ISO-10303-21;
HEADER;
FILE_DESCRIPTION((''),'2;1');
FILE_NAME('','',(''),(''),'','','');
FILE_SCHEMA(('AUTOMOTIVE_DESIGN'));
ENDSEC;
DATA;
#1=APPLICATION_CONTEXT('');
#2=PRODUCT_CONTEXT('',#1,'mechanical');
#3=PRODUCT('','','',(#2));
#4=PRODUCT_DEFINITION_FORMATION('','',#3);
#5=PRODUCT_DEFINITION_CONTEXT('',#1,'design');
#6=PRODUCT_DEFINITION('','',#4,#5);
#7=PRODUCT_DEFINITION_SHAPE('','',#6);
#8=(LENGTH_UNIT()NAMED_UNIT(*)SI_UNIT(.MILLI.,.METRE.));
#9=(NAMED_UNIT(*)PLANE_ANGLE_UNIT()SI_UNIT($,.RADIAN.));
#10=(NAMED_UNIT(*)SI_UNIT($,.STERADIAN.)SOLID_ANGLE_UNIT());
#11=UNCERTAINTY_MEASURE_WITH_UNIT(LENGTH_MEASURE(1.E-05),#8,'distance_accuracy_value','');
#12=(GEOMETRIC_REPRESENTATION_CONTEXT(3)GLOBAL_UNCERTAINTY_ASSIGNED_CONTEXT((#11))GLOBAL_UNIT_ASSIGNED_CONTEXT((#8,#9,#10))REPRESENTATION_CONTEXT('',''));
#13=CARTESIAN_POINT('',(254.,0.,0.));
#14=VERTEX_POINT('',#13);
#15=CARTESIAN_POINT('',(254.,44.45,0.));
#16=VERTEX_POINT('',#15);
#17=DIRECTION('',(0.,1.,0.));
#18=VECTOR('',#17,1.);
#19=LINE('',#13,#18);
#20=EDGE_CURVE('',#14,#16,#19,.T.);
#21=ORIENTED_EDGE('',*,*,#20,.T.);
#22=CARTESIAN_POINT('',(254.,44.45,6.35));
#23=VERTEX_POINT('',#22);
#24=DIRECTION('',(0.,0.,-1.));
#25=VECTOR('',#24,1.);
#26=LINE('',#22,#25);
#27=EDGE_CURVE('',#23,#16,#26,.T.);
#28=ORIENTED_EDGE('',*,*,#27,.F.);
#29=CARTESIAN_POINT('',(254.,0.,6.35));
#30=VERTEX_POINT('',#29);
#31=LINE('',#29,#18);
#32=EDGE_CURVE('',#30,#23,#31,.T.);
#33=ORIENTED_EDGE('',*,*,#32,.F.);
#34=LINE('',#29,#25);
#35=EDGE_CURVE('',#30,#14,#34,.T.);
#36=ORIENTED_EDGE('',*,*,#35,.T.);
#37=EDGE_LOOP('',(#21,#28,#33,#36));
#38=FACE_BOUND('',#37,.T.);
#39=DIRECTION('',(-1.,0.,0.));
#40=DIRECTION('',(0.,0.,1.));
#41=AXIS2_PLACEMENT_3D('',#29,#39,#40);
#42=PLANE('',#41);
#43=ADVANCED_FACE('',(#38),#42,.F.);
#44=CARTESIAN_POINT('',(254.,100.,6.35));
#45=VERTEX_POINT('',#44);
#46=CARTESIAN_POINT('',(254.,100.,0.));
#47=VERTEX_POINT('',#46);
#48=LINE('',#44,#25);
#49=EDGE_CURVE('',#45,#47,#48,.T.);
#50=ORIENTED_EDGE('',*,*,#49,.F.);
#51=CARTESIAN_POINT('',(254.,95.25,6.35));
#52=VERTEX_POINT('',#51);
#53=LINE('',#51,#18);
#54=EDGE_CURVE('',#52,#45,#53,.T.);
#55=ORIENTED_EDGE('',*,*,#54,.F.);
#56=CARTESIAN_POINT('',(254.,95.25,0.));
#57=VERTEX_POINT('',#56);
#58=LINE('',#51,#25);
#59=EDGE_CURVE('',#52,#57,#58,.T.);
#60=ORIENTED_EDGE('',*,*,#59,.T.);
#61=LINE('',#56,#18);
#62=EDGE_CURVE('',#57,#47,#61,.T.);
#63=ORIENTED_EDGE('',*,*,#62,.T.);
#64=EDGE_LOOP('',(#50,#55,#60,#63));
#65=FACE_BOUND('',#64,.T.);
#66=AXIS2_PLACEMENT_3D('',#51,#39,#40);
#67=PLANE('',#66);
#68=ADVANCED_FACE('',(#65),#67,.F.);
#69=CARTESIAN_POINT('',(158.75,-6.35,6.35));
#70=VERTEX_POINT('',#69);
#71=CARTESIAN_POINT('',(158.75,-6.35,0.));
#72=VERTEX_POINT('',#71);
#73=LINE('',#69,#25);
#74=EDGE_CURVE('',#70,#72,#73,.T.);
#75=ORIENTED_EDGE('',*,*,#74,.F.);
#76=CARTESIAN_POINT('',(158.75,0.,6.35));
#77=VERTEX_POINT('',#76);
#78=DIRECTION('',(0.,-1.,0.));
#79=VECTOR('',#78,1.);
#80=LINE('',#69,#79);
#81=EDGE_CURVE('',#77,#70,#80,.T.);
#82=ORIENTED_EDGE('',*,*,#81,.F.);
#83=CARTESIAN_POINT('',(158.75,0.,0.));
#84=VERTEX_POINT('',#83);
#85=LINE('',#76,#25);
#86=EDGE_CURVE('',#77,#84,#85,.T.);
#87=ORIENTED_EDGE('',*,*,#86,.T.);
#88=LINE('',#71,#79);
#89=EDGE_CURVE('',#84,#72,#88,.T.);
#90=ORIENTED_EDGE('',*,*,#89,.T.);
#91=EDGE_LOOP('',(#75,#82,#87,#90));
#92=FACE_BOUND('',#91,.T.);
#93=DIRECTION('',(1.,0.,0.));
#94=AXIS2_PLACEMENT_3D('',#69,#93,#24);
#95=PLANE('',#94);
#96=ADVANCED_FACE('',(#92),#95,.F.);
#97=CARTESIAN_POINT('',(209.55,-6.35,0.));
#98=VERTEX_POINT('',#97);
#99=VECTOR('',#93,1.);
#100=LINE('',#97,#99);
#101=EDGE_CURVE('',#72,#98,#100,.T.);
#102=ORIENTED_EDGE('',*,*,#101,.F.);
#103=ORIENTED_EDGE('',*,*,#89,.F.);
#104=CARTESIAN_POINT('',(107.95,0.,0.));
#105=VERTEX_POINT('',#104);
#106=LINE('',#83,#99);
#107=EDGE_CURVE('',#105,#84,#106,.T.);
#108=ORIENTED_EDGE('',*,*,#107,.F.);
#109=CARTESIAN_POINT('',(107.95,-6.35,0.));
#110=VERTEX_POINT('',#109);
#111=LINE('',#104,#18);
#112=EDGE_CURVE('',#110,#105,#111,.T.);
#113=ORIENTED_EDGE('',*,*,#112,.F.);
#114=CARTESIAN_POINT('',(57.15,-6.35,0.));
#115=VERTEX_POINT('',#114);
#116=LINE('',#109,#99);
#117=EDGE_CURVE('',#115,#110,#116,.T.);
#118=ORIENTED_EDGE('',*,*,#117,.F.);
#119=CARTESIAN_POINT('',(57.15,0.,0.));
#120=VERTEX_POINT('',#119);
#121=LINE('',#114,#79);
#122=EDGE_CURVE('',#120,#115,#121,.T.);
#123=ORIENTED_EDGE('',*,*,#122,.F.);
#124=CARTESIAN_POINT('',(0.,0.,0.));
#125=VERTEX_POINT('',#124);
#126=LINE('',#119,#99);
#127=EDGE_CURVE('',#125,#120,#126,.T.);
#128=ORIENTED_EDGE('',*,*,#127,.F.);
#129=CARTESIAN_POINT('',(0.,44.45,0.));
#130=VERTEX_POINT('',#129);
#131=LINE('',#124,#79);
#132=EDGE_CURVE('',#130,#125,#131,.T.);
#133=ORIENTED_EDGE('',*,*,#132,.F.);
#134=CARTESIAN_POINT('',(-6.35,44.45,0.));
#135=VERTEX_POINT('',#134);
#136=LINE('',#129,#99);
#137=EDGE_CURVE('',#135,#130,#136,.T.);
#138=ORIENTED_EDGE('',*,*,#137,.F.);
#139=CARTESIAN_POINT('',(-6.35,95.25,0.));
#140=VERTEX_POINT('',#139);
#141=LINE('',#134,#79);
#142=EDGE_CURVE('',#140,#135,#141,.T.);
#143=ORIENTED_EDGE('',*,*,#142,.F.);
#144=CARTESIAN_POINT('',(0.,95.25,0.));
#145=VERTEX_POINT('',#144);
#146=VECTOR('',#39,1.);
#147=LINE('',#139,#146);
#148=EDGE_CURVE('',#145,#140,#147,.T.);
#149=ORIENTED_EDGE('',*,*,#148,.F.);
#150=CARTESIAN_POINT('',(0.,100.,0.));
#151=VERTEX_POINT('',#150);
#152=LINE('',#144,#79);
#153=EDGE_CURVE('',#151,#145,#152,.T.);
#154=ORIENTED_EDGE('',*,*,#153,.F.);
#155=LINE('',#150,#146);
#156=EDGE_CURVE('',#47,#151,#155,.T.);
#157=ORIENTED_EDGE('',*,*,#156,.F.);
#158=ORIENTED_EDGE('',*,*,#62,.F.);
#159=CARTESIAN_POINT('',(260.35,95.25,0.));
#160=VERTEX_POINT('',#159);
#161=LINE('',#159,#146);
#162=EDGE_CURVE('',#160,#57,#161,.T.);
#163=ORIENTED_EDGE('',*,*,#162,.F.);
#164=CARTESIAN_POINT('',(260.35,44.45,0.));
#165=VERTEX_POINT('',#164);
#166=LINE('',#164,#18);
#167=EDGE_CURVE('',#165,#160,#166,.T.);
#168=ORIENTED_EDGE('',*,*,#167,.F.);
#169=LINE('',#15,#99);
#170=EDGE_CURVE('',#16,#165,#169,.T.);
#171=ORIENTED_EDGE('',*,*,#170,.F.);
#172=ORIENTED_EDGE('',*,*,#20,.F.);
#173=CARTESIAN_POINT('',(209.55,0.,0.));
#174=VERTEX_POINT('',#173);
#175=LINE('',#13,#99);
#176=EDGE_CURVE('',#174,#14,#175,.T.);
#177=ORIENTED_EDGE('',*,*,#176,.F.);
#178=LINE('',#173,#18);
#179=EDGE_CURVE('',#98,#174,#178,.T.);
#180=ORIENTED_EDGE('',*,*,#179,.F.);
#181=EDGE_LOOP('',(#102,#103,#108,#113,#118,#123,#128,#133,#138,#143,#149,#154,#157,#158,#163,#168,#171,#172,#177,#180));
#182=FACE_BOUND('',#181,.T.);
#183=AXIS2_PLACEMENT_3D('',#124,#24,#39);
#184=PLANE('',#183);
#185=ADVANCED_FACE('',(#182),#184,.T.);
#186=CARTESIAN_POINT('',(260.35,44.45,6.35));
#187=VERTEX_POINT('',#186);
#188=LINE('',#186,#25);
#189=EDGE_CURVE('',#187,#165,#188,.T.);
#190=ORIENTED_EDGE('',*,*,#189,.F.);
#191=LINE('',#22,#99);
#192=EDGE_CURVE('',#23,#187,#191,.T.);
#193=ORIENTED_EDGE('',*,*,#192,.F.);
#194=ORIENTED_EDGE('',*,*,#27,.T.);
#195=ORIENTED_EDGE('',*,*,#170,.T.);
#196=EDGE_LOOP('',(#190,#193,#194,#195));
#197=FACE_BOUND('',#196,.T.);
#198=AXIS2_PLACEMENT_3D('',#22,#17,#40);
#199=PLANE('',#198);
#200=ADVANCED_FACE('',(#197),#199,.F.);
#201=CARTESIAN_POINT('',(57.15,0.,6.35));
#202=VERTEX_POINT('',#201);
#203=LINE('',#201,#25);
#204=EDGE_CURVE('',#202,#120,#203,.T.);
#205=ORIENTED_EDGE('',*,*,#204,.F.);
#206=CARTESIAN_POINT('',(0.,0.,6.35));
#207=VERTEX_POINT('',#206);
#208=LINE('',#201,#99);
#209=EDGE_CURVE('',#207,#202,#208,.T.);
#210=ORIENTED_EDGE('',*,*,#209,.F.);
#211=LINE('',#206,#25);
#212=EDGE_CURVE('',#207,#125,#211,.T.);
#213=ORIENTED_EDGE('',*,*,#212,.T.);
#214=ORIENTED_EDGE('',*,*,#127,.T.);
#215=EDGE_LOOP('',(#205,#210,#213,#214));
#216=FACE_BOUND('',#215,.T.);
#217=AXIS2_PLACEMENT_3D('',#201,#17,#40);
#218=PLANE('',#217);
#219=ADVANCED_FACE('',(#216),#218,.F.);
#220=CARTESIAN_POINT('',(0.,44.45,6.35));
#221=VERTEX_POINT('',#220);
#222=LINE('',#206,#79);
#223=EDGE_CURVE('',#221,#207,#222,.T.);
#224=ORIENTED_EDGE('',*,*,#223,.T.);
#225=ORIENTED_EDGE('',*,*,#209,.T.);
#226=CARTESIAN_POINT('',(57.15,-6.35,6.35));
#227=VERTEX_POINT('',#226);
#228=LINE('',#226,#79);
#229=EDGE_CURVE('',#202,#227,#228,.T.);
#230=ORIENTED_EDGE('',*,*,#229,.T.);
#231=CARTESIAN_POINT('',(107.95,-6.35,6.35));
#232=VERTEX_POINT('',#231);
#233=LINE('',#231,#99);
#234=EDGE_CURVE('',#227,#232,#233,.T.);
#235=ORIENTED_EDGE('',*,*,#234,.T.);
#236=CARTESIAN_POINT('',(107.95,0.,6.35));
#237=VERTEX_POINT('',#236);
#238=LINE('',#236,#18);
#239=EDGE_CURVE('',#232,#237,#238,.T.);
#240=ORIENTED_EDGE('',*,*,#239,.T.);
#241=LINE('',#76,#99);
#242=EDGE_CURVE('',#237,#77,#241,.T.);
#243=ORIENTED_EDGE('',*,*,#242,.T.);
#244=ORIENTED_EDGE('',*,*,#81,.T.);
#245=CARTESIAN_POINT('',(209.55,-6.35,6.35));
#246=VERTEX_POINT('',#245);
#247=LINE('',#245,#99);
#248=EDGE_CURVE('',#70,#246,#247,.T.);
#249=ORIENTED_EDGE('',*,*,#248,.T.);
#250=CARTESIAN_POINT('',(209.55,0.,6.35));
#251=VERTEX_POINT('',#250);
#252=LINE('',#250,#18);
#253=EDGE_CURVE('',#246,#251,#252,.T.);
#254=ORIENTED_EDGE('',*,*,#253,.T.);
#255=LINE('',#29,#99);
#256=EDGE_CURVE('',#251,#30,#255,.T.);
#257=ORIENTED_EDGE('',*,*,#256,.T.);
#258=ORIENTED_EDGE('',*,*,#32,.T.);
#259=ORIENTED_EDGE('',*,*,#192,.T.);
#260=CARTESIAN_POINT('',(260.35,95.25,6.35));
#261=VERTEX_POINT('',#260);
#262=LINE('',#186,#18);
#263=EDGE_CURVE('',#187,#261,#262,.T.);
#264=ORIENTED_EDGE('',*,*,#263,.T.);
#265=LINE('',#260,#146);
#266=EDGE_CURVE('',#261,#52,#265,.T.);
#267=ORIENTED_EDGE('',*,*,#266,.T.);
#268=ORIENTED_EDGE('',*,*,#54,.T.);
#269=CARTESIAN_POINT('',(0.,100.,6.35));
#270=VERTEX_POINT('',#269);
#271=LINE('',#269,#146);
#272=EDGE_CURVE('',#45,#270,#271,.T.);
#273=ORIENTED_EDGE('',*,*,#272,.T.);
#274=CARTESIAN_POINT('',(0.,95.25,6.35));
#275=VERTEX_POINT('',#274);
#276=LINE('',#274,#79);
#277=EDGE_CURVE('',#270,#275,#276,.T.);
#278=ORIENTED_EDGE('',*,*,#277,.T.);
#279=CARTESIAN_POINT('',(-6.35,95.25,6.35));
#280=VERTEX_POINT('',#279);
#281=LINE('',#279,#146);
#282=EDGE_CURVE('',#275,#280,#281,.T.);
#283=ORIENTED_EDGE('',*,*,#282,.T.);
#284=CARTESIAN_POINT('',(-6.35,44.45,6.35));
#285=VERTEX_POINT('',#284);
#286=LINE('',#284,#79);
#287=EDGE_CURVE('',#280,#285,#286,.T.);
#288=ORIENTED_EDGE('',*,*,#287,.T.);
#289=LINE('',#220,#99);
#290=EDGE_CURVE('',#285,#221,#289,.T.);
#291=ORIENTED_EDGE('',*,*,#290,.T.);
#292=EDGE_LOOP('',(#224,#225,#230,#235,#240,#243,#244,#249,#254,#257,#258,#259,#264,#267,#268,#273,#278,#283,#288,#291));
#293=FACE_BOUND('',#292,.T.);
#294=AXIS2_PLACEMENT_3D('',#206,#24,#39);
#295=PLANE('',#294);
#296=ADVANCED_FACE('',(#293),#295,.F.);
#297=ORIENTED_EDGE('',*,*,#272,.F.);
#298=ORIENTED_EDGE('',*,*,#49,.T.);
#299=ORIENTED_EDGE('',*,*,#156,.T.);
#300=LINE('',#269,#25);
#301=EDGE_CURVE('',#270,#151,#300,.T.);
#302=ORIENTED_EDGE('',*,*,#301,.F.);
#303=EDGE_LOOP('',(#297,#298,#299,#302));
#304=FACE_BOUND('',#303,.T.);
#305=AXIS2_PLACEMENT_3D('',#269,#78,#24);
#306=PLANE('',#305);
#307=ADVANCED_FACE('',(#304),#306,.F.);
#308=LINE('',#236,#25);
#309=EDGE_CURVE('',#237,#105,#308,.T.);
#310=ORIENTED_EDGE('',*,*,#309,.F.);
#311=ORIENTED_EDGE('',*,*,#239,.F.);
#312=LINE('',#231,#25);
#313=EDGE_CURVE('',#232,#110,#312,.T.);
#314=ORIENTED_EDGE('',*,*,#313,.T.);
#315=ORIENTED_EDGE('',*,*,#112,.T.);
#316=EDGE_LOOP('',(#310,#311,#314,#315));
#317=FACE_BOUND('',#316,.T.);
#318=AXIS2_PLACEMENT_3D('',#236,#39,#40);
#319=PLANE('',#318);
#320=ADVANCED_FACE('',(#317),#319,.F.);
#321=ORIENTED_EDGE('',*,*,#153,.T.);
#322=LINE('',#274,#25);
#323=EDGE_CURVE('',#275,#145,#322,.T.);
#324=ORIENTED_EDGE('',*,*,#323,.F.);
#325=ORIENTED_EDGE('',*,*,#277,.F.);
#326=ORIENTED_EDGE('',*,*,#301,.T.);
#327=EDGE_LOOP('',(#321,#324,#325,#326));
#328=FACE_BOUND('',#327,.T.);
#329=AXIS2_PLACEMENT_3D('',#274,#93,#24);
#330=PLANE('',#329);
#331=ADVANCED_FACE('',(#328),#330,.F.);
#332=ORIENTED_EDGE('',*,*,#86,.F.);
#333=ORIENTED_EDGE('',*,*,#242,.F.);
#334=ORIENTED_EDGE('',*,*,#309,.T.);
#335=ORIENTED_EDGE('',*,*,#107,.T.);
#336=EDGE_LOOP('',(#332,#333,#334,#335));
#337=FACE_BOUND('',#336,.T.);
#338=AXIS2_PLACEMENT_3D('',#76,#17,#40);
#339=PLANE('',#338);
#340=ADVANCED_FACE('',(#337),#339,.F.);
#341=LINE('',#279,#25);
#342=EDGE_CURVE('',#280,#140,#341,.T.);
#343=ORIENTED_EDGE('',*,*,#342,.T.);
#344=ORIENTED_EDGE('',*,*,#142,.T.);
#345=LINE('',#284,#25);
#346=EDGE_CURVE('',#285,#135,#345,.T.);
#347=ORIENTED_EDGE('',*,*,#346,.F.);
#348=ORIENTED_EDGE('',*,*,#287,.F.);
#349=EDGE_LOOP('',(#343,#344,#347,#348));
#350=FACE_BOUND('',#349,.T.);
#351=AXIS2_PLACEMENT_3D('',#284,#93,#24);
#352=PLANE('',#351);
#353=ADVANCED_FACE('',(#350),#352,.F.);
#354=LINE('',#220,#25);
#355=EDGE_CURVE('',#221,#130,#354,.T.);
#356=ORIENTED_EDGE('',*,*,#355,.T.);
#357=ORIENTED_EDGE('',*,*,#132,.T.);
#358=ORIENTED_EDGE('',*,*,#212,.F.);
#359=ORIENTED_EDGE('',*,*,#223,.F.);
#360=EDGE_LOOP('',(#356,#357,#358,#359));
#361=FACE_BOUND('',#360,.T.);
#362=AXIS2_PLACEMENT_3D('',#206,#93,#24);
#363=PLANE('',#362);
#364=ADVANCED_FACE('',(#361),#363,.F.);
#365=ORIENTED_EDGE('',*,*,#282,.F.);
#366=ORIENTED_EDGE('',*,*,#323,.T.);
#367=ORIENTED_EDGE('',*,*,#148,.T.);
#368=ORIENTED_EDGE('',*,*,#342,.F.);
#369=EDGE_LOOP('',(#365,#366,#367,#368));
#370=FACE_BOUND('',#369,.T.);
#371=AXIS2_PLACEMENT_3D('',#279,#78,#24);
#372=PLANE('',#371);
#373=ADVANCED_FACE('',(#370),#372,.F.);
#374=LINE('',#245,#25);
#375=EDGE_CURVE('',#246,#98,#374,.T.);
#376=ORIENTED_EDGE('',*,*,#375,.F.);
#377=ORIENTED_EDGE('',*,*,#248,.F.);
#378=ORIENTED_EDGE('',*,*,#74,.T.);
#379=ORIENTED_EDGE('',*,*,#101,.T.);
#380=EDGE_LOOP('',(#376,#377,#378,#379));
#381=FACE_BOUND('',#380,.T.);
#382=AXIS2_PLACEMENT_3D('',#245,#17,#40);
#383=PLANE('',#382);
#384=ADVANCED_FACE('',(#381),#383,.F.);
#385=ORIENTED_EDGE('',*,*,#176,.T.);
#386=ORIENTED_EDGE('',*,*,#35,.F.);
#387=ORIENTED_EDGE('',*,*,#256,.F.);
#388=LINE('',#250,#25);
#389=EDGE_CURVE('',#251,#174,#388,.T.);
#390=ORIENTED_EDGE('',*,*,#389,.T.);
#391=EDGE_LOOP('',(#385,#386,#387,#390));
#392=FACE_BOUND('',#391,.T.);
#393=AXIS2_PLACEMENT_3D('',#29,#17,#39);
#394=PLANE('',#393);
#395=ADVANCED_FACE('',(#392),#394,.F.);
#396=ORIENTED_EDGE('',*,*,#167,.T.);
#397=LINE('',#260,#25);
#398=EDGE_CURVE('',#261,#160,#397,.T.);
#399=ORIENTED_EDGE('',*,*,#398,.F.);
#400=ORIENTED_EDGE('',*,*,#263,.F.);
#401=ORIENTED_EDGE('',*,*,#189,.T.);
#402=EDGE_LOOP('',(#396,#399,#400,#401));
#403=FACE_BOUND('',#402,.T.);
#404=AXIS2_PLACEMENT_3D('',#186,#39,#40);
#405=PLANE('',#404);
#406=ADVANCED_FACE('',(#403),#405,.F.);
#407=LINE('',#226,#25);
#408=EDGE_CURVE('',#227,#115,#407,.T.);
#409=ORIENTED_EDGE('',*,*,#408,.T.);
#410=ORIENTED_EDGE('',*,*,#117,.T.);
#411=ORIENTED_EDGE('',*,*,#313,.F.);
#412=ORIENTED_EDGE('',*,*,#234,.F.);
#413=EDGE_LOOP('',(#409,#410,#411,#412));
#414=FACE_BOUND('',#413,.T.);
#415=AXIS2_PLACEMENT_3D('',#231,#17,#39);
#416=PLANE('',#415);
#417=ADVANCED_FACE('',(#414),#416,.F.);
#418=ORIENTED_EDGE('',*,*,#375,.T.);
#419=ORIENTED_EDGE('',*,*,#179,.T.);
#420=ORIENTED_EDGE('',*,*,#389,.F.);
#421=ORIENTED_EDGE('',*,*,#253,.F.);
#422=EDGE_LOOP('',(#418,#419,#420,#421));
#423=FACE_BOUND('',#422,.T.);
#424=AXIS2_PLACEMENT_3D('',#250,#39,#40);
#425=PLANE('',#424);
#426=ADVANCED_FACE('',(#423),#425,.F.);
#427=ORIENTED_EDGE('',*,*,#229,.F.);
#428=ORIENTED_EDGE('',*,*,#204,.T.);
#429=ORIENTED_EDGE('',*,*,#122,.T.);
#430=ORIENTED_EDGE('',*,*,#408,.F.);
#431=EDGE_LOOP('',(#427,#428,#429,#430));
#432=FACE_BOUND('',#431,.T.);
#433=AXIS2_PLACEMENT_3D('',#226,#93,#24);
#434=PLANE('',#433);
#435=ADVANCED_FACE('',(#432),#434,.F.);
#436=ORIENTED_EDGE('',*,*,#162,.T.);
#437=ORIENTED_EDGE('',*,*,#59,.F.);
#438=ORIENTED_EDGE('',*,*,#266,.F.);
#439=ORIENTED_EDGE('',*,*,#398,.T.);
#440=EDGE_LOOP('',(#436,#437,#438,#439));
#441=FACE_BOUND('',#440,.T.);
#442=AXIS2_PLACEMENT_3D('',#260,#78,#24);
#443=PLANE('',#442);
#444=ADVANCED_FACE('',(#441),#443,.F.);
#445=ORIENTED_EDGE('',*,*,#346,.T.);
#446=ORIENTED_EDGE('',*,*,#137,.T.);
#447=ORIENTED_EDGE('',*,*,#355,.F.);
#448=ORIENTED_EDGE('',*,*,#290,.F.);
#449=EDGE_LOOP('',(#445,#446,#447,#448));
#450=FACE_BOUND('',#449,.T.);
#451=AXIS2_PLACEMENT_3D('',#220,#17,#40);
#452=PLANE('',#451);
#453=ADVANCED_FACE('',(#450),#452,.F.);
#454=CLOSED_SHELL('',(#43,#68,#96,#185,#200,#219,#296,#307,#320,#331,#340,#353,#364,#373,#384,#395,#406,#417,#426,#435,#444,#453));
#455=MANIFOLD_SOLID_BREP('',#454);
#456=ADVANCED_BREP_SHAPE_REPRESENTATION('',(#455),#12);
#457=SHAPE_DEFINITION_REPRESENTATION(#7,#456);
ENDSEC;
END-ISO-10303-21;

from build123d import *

# Parameters (mm, degrees)
BOSS_EXTRUDE1_DEPTH = 6.35


with BuildPart() as part:
    # Sketch1 → Boss-Extrude1 (new body)
    with BuildSketch(Plane.XY):
        Polygon((0, 0), (0, 44.45), (-6.35, 44.45), (-6.35, 95.25), (0, 95.25), (0, 100), (254, 100), (254, 95.25), (260.35, 95.25), (260.35, 44.45), (254, 44.45), (254, 0), (209.55, 0), (209.55, -6.35), (158.75, -6.35), (158.75, 0), (107.95, 0), (107.95, -6.35), (57.15, -6.35), (57.15, 0), align=None)
    extrude(amount=BOSS_EXTRUDE1_DEPTH)


solid = part.part
